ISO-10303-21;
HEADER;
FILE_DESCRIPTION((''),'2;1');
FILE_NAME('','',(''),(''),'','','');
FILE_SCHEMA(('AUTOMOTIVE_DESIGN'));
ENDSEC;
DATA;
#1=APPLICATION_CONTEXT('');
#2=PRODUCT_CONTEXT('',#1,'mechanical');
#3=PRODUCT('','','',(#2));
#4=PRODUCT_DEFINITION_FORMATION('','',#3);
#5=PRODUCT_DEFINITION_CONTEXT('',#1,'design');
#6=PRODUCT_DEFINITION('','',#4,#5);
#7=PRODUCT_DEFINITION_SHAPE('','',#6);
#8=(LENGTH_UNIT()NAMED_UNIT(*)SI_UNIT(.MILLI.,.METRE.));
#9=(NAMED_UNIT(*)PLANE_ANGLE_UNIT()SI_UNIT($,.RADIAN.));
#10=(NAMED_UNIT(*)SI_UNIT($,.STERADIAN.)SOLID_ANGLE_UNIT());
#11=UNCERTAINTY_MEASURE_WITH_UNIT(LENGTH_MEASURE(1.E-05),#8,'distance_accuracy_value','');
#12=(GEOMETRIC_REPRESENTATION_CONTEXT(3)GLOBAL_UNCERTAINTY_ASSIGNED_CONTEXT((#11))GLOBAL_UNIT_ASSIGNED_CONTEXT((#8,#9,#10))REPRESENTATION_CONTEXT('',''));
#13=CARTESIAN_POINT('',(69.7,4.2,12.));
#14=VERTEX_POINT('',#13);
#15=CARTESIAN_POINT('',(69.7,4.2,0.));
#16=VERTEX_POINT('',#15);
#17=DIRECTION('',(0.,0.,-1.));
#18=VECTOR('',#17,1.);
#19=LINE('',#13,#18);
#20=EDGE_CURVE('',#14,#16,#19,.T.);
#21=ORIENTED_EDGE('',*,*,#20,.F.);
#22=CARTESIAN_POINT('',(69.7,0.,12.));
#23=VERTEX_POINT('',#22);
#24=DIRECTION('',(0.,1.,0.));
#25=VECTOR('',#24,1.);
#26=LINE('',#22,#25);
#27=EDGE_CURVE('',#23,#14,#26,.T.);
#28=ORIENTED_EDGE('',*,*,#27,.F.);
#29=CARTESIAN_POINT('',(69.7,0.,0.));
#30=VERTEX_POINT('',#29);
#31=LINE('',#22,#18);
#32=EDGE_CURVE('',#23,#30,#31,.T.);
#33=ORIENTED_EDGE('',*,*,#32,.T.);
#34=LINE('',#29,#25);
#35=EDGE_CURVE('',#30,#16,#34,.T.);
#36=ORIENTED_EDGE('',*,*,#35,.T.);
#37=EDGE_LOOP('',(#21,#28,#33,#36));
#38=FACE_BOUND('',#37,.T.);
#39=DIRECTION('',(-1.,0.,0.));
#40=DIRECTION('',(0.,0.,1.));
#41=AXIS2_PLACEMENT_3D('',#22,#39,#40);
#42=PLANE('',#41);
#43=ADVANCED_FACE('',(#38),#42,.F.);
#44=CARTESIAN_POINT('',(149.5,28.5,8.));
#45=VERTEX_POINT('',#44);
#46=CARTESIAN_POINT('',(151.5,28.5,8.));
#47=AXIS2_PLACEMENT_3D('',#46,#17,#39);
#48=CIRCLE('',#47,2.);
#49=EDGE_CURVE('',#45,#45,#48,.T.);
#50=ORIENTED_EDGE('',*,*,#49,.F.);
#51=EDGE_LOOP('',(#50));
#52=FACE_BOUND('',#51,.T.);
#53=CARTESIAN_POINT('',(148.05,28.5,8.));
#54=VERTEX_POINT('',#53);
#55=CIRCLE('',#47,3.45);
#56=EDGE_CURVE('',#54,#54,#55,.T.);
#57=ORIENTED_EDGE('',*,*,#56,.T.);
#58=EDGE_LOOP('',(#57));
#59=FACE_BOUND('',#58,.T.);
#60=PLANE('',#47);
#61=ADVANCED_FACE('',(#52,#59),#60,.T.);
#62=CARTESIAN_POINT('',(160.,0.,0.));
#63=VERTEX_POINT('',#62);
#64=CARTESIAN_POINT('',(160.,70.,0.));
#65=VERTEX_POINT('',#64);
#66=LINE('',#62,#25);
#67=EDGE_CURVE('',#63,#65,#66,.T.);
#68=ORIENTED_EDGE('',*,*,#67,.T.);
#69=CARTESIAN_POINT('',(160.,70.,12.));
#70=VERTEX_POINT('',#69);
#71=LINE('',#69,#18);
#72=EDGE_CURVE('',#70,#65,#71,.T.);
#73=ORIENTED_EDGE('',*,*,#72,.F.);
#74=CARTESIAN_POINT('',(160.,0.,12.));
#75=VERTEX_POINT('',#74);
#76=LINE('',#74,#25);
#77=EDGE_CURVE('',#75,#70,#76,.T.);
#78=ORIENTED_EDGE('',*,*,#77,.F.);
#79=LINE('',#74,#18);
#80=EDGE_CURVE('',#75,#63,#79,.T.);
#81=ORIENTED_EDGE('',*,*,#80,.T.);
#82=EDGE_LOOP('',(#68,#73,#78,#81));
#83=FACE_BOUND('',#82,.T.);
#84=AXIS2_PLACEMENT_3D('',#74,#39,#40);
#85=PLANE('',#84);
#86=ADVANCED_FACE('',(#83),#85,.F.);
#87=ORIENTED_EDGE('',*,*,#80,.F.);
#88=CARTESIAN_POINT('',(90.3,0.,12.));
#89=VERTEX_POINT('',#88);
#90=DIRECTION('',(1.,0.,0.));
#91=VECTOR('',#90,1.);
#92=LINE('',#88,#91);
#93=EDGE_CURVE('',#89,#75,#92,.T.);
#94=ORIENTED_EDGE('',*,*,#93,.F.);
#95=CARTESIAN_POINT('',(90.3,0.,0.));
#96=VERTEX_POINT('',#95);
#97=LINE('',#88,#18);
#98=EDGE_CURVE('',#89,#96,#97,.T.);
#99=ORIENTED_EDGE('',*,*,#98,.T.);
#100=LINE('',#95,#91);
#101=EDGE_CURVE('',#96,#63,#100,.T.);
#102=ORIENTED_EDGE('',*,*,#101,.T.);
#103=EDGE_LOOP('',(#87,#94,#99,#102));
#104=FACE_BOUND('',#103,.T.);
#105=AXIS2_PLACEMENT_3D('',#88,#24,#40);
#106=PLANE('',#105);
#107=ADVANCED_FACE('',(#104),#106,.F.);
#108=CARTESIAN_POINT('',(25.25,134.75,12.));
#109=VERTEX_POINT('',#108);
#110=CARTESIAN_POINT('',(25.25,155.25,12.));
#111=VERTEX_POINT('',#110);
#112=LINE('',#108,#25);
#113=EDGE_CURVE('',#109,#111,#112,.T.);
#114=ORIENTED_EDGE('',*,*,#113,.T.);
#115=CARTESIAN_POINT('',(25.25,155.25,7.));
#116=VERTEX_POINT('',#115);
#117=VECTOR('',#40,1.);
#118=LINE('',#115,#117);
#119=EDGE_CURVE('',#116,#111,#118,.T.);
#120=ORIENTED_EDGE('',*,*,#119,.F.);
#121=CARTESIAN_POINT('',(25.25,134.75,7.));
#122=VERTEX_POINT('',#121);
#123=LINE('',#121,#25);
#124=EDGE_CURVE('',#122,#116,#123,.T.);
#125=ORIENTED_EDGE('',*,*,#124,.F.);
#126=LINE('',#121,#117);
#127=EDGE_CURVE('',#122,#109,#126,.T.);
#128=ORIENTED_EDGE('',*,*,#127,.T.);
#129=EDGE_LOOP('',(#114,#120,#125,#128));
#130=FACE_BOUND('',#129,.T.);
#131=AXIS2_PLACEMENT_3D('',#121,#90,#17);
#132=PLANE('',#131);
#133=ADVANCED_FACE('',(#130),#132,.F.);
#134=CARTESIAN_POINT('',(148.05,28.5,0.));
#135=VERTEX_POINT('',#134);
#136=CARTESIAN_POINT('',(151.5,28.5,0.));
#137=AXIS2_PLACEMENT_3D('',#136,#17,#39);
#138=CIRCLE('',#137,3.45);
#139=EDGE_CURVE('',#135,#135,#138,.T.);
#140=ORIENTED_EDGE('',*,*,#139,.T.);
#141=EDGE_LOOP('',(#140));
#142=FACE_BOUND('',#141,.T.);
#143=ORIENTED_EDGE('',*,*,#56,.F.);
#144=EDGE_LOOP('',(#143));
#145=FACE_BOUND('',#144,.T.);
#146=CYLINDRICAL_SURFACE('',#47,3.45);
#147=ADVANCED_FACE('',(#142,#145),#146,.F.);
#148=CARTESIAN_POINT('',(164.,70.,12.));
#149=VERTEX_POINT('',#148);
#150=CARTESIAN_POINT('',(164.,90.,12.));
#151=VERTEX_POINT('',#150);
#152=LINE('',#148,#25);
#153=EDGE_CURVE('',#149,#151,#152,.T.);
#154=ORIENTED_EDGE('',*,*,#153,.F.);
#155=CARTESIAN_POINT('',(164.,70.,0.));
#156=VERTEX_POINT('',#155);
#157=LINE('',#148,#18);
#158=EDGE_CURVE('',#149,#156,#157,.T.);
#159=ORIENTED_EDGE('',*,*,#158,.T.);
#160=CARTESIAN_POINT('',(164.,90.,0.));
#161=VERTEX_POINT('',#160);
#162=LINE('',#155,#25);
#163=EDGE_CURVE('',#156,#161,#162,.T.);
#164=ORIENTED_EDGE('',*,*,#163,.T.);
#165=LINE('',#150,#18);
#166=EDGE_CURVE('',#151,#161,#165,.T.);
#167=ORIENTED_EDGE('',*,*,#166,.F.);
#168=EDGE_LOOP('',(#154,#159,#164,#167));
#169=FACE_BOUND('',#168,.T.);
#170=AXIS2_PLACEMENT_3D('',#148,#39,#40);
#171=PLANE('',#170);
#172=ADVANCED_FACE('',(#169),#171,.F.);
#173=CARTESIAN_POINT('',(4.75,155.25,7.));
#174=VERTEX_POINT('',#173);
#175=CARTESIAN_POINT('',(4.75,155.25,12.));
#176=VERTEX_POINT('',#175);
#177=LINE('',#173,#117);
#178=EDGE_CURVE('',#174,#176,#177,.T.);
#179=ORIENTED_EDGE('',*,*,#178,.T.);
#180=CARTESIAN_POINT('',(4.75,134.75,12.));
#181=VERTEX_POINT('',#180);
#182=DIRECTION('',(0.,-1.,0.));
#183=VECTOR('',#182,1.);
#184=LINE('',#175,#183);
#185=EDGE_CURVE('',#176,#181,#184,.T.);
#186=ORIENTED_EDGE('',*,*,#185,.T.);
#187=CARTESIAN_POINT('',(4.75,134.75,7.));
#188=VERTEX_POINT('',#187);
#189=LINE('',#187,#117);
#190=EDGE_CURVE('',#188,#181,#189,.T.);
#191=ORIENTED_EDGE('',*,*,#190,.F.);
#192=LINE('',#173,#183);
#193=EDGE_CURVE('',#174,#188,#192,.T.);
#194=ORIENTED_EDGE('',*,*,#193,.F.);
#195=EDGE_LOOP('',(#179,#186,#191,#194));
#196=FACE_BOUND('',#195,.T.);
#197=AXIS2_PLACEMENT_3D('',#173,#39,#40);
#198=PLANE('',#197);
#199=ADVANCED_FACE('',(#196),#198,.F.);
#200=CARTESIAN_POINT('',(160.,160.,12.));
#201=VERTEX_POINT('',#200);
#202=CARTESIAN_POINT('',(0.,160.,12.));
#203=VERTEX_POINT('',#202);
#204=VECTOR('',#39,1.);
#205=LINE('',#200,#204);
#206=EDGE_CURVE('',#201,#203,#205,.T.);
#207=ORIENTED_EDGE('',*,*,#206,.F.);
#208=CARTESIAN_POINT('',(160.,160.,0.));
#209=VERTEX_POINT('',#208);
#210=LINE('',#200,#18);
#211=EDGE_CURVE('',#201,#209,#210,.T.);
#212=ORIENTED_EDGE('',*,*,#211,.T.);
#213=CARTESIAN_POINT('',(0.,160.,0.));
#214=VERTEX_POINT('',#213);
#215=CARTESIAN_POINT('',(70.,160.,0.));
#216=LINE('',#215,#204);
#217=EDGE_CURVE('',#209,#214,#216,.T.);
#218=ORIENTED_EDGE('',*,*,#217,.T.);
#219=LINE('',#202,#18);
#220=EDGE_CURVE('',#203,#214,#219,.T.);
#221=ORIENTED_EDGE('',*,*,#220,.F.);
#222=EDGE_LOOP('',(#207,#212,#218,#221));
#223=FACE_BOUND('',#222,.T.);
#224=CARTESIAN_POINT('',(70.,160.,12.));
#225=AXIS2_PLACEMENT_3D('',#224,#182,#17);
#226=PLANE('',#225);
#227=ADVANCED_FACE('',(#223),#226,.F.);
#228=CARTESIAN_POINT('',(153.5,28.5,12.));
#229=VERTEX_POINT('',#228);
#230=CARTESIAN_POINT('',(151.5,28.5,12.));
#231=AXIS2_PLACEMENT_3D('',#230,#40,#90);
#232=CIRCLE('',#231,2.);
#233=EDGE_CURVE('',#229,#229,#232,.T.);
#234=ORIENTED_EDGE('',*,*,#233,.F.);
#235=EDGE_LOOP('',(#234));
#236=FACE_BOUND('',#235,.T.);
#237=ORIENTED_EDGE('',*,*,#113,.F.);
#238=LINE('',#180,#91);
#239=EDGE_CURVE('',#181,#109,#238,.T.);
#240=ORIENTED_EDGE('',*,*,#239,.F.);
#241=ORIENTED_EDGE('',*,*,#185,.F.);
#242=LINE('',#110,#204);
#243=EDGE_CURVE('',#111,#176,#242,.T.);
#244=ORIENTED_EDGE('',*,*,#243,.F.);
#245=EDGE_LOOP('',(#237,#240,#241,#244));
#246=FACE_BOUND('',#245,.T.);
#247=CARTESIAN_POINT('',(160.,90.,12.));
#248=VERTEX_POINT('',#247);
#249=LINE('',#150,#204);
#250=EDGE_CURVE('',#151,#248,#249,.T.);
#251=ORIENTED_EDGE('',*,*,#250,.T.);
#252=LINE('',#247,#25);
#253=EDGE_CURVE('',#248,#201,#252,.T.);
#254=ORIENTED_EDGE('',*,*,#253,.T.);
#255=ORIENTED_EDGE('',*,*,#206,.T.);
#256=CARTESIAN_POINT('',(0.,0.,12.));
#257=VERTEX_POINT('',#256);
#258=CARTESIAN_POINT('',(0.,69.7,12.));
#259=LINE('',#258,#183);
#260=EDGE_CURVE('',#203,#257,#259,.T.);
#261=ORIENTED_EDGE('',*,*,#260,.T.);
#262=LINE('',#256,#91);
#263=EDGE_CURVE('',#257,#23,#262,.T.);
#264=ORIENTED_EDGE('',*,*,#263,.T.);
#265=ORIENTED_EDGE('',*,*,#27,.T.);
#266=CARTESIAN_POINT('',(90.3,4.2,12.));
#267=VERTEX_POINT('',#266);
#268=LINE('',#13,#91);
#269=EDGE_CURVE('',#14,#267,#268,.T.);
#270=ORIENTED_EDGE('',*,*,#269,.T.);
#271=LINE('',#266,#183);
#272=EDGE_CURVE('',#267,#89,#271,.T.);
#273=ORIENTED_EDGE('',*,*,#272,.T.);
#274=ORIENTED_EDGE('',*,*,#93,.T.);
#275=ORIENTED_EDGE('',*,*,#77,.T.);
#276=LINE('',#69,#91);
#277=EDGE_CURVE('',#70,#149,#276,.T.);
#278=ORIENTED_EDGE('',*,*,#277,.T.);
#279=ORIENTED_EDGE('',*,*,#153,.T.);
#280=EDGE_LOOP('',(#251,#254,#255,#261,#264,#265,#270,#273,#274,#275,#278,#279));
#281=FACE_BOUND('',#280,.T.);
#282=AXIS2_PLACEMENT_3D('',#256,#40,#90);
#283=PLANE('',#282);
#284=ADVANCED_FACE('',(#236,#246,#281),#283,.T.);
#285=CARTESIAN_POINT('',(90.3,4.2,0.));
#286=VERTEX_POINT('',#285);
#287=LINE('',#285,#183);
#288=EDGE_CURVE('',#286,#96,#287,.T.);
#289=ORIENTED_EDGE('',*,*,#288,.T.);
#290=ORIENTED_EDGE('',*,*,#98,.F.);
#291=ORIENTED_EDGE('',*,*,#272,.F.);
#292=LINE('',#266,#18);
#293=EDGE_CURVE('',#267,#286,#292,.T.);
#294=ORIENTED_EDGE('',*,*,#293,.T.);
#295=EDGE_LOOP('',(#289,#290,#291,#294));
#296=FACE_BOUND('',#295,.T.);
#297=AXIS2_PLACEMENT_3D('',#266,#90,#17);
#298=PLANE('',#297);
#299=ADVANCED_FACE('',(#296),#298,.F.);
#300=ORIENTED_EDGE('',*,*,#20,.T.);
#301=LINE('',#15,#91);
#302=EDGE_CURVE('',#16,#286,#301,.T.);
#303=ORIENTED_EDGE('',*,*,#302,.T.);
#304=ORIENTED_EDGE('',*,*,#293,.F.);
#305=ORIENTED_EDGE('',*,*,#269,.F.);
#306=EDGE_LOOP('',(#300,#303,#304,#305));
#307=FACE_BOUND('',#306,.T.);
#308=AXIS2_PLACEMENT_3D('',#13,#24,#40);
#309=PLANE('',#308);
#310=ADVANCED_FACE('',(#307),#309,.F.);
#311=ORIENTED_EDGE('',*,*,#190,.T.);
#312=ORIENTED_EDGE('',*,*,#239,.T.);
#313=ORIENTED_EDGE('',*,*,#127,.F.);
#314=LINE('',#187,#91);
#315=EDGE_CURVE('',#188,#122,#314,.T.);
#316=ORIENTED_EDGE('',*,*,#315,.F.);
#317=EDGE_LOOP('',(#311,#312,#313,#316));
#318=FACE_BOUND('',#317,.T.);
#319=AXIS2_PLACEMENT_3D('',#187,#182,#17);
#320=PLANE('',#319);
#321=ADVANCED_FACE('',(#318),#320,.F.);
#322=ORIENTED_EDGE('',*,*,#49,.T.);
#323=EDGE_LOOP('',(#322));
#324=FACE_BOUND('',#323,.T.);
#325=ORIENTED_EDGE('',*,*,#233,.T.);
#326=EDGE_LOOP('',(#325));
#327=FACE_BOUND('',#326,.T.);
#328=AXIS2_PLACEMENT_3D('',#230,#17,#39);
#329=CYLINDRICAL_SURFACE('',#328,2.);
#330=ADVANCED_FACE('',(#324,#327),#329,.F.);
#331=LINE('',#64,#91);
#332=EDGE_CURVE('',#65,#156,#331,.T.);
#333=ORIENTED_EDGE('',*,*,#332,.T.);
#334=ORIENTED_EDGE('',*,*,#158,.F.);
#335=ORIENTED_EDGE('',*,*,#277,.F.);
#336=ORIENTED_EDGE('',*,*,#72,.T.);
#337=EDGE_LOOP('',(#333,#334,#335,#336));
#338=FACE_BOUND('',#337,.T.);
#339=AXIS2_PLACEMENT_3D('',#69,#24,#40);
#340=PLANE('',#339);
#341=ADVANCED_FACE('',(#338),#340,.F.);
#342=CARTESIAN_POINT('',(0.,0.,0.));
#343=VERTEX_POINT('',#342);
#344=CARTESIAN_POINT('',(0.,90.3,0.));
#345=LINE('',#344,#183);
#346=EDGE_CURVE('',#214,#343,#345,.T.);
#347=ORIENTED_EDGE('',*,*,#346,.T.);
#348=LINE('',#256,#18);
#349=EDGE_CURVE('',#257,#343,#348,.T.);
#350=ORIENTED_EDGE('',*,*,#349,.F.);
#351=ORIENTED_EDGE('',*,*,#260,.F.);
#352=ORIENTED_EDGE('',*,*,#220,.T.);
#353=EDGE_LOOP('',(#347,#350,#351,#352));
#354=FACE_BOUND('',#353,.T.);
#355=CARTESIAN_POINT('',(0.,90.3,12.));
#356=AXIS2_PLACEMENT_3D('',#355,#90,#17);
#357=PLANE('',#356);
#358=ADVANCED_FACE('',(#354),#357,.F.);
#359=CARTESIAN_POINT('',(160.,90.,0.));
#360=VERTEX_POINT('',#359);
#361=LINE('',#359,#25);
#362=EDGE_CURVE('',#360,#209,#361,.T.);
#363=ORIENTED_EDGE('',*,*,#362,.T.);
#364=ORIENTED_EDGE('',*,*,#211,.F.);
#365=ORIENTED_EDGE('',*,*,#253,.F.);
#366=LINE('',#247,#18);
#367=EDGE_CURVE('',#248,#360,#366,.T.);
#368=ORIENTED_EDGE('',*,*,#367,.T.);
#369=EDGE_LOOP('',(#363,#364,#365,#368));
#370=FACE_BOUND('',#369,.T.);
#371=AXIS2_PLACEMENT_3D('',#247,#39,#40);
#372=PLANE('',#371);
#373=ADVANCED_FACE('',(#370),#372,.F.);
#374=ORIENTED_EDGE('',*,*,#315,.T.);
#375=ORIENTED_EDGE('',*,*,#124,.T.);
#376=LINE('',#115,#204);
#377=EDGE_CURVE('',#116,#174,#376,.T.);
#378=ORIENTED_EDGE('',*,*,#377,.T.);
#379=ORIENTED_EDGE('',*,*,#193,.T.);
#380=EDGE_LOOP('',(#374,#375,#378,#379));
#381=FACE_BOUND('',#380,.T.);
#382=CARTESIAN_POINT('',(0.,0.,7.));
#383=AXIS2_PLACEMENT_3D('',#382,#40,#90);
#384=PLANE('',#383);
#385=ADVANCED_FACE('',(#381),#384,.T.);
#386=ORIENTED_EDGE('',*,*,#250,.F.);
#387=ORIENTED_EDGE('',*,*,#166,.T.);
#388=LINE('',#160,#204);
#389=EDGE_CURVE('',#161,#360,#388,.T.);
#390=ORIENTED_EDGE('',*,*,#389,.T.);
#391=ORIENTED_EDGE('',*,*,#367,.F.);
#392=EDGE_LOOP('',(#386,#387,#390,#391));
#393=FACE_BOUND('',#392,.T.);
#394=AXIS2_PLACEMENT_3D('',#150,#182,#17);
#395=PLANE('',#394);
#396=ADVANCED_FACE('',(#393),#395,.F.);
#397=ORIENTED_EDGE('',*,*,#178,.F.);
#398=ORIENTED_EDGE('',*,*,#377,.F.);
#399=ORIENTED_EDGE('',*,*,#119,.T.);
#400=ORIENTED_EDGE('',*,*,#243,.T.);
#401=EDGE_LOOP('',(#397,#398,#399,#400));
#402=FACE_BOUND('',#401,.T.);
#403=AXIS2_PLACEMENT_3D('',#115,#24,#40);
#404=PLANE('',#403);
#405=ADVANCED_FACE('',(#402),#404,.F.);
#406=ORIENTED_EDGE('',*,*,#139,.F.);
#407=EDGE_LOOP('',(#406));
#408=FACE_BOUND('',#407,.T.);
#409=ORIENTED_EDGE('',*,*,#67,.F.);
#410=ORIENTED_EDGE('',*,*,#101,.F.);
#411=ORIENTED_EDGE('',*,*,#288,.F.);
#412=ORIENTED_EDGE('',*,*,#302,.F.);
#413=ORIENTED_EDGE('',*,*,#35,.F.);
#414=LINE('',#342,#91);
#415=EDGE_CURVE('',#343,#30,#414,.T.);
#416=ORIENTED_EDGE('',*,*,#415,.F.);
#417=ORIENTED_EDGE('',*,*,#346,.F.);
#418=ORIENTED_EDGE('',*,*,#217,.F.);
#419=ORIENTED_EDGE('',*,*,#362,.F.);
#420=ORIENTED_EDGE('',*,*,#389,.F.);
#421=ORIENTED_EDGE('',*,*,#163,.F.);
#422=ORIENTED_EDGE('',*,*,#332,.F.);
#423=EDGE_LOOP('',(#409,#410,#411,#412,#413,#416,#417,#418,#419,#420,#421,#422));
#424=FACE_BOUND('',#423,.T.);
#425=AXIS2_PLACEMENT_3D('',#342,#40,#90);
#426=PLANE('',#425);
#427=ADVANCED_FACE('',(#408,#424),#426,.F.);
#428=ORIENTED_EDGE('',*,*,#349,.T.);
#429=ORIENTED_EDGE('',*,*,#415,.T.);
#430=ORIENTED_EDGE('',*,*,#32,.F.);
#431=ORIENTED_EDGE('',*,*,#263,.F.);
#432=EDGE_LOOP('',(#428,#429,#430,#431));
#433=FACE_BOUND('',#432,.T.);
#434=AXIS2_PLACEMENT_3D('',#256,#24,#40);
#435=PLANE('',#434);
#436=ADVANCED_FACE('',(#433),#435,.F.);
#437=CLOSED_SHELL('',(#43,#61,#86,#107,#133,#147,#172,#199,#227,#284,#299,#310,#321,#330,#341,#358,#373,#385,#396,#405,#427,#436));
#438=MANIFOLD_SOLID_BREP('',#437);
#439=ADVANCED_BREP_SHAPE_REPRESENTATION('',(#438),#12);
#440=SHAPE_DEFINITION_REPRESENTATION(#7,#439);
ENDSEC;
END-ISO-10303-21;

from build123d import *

# Parameters (mm, degrees)
SKETCH1_R           = 2
BOSS_EXTRUDE1_DEPTH = 12
SKETCH2_W           = 20.5
SKETCH2_H           = 20.5
CUT_EXTRUDE1_DEPTH  = 5
SKETCH4_R           = 3.45
CUT_EXTRUDE2_DEPTH  = 8


with BuildPart() as part:
    # Sketch1 → Boss-Extrude1 (new body)
    with BuildSketch(Plane.XY):
        Polygon((0, 0), (69.7, 0), (69.7, 4.2), (90.3, 4.2), (90.3, 0), (160, 0), (160, 70), (164, 70), (164, 90), (160, 90), (160, 160), (90, 160), (70, 160), (0, 160), (0, 90.3), (0, 69.7), align=None)
        with Locations((151.5, 28.5)):
            Circle(SKETCH1_R, mode=Mode.SUBTRACT)
    extrude(amount=BOSS_EXTRUDE1_DEPTH)

    # Sketch2 → Cut-Extrude1 (cut)
    with BuildSketch(Plane.XY.offset(12)):
        with Locations((15, 145)):
            Rectangle(SKETCH2_W, SKETCH2_H)
    extrude(amount=-CUT_EXTRUDE1_DEPTH, mode=Mode.SUBTRACT)

    # Sketch4 → Cut-Extrude2 (cut)
    with BuildSketch(Plane(origin=(0, 0, 0), x_dir=(-1, 0, 0), z_dir=(0, 0, -1))):
        with Locations((-151.5, 28.5)):
            Circle(SKETCH4_R)
    extrude(amount=-CUT_EXTRUDE2_DEPTH, mode=Mode.SUBTRACT)


solid = part.part
